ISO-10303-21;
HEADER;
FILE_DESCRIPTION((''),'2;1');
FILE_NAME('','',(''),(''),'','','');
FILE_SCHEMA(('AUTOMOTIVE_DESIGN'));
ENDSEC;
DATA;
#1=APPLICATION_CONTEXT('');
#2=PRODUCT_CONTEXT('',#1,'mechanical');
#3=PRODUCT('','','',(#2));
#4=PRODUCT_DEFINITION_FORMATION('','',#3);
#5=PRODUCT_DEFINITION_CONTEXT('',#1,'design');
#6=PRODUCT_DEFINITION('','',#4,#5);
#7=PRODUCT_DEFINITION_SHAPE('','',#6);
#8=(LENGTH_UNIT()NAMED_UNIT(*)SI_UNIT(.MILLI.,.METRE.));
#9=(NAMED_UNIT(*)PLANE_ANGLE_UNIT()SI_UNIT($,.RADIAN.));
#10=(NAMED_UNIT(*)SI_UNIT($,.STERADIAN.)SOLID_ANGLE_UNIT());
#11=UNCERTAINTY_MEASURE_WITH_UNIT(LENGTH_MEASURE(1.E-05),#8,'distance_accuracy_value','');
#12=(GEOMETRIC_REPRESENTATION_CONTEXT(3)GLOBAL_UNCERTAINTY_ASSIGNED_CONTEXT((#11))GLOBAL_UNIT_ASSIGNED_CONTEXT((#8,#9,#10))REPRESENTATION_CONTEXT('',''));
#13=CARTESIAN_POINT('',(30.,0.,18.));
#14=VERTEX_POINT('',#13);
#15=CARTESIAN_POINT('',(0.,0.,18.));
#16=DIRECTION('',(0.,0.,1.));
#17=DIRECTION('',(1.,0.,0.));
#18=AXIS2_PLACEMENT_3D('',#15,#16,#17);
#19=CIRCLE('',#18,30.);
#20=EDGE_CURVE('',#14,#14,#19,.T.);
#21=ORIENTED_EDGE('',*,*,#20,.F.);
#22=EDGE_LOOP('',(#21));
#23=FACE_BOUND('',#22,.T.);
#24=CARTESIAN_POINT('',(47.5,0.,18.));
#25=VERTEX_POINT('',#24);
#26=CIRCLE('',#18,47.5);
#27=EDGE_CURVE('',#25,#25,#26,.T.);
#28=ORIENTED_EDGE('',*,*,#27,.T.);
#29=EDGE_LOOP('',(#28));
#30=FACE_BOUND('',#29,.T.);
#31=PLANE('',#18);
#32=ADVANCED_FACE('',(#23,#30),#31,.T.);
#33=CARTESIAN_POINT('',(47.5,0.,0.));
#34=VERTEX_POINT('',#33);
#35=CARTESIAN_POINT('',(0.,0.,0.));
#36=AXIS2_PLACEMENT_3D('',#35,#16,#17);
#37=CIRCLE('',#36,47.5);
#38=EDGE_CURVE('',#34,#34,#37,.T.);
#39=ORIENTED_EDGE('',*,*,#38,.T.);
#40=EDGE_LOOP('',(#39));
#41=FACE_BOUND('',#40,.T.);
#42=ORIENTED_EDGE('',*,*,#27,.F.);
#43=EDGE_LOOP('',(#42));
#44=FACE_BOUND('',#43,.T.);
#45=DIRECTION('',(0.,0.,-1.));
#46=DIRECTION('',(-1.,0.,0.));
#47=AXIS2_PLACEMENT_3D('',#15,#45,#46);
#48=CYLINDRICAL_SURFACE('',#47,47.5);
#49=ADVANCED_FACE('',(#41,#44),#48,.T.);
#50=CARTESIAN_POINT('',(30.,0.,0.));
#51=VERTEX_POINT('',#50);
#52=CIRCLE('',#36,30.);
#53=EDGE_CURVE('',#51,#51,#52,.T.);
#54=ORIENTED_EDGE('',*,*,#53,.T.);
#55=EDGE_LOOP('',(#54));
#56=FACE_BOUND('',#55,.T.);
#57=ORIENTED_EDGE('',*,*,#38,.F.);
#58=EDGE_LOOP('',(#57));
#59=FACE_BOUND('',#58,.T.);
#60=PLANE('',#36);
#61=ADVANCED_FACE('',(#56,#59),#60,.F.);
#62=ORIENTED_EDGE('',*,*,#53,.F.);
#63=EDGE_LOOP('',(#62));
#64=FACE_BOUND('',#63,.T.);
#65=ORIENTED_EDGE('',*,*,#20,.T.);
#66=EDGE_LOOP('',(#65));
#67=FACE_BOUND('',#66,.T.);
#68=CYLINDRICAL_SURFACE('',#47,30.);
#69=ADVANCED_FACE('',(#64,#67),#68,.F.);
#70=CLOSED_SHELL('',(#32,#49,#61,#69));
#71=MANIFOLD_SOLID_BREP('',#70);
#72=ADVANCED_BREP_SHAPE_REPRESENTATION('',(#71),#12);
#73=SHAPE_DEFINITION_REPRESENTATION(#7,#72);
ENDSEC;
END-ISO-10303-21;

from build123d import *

# Parameters (mm, degrees)
SKIZZE1_R                       = 47.5
SKIZZE1_R_2                     = 30
AUFSATZ_LINEAR_AUSTRAGEN1_DEPTH = 18


with BuildPart() as part:
    # Skizze1 → Aufsatz-Linear austragen1 (new body)
    with BuildSketch(Plane.XY):
        Circle(SKIZZE1_R)
        Circle(SKIZZE1_R_2, mode=Mode.SUBTRACT)
    extrude(amount=AUFSATZ_LINEAR_AUSTRAGEN1_DEPTH)


solid = part.part
